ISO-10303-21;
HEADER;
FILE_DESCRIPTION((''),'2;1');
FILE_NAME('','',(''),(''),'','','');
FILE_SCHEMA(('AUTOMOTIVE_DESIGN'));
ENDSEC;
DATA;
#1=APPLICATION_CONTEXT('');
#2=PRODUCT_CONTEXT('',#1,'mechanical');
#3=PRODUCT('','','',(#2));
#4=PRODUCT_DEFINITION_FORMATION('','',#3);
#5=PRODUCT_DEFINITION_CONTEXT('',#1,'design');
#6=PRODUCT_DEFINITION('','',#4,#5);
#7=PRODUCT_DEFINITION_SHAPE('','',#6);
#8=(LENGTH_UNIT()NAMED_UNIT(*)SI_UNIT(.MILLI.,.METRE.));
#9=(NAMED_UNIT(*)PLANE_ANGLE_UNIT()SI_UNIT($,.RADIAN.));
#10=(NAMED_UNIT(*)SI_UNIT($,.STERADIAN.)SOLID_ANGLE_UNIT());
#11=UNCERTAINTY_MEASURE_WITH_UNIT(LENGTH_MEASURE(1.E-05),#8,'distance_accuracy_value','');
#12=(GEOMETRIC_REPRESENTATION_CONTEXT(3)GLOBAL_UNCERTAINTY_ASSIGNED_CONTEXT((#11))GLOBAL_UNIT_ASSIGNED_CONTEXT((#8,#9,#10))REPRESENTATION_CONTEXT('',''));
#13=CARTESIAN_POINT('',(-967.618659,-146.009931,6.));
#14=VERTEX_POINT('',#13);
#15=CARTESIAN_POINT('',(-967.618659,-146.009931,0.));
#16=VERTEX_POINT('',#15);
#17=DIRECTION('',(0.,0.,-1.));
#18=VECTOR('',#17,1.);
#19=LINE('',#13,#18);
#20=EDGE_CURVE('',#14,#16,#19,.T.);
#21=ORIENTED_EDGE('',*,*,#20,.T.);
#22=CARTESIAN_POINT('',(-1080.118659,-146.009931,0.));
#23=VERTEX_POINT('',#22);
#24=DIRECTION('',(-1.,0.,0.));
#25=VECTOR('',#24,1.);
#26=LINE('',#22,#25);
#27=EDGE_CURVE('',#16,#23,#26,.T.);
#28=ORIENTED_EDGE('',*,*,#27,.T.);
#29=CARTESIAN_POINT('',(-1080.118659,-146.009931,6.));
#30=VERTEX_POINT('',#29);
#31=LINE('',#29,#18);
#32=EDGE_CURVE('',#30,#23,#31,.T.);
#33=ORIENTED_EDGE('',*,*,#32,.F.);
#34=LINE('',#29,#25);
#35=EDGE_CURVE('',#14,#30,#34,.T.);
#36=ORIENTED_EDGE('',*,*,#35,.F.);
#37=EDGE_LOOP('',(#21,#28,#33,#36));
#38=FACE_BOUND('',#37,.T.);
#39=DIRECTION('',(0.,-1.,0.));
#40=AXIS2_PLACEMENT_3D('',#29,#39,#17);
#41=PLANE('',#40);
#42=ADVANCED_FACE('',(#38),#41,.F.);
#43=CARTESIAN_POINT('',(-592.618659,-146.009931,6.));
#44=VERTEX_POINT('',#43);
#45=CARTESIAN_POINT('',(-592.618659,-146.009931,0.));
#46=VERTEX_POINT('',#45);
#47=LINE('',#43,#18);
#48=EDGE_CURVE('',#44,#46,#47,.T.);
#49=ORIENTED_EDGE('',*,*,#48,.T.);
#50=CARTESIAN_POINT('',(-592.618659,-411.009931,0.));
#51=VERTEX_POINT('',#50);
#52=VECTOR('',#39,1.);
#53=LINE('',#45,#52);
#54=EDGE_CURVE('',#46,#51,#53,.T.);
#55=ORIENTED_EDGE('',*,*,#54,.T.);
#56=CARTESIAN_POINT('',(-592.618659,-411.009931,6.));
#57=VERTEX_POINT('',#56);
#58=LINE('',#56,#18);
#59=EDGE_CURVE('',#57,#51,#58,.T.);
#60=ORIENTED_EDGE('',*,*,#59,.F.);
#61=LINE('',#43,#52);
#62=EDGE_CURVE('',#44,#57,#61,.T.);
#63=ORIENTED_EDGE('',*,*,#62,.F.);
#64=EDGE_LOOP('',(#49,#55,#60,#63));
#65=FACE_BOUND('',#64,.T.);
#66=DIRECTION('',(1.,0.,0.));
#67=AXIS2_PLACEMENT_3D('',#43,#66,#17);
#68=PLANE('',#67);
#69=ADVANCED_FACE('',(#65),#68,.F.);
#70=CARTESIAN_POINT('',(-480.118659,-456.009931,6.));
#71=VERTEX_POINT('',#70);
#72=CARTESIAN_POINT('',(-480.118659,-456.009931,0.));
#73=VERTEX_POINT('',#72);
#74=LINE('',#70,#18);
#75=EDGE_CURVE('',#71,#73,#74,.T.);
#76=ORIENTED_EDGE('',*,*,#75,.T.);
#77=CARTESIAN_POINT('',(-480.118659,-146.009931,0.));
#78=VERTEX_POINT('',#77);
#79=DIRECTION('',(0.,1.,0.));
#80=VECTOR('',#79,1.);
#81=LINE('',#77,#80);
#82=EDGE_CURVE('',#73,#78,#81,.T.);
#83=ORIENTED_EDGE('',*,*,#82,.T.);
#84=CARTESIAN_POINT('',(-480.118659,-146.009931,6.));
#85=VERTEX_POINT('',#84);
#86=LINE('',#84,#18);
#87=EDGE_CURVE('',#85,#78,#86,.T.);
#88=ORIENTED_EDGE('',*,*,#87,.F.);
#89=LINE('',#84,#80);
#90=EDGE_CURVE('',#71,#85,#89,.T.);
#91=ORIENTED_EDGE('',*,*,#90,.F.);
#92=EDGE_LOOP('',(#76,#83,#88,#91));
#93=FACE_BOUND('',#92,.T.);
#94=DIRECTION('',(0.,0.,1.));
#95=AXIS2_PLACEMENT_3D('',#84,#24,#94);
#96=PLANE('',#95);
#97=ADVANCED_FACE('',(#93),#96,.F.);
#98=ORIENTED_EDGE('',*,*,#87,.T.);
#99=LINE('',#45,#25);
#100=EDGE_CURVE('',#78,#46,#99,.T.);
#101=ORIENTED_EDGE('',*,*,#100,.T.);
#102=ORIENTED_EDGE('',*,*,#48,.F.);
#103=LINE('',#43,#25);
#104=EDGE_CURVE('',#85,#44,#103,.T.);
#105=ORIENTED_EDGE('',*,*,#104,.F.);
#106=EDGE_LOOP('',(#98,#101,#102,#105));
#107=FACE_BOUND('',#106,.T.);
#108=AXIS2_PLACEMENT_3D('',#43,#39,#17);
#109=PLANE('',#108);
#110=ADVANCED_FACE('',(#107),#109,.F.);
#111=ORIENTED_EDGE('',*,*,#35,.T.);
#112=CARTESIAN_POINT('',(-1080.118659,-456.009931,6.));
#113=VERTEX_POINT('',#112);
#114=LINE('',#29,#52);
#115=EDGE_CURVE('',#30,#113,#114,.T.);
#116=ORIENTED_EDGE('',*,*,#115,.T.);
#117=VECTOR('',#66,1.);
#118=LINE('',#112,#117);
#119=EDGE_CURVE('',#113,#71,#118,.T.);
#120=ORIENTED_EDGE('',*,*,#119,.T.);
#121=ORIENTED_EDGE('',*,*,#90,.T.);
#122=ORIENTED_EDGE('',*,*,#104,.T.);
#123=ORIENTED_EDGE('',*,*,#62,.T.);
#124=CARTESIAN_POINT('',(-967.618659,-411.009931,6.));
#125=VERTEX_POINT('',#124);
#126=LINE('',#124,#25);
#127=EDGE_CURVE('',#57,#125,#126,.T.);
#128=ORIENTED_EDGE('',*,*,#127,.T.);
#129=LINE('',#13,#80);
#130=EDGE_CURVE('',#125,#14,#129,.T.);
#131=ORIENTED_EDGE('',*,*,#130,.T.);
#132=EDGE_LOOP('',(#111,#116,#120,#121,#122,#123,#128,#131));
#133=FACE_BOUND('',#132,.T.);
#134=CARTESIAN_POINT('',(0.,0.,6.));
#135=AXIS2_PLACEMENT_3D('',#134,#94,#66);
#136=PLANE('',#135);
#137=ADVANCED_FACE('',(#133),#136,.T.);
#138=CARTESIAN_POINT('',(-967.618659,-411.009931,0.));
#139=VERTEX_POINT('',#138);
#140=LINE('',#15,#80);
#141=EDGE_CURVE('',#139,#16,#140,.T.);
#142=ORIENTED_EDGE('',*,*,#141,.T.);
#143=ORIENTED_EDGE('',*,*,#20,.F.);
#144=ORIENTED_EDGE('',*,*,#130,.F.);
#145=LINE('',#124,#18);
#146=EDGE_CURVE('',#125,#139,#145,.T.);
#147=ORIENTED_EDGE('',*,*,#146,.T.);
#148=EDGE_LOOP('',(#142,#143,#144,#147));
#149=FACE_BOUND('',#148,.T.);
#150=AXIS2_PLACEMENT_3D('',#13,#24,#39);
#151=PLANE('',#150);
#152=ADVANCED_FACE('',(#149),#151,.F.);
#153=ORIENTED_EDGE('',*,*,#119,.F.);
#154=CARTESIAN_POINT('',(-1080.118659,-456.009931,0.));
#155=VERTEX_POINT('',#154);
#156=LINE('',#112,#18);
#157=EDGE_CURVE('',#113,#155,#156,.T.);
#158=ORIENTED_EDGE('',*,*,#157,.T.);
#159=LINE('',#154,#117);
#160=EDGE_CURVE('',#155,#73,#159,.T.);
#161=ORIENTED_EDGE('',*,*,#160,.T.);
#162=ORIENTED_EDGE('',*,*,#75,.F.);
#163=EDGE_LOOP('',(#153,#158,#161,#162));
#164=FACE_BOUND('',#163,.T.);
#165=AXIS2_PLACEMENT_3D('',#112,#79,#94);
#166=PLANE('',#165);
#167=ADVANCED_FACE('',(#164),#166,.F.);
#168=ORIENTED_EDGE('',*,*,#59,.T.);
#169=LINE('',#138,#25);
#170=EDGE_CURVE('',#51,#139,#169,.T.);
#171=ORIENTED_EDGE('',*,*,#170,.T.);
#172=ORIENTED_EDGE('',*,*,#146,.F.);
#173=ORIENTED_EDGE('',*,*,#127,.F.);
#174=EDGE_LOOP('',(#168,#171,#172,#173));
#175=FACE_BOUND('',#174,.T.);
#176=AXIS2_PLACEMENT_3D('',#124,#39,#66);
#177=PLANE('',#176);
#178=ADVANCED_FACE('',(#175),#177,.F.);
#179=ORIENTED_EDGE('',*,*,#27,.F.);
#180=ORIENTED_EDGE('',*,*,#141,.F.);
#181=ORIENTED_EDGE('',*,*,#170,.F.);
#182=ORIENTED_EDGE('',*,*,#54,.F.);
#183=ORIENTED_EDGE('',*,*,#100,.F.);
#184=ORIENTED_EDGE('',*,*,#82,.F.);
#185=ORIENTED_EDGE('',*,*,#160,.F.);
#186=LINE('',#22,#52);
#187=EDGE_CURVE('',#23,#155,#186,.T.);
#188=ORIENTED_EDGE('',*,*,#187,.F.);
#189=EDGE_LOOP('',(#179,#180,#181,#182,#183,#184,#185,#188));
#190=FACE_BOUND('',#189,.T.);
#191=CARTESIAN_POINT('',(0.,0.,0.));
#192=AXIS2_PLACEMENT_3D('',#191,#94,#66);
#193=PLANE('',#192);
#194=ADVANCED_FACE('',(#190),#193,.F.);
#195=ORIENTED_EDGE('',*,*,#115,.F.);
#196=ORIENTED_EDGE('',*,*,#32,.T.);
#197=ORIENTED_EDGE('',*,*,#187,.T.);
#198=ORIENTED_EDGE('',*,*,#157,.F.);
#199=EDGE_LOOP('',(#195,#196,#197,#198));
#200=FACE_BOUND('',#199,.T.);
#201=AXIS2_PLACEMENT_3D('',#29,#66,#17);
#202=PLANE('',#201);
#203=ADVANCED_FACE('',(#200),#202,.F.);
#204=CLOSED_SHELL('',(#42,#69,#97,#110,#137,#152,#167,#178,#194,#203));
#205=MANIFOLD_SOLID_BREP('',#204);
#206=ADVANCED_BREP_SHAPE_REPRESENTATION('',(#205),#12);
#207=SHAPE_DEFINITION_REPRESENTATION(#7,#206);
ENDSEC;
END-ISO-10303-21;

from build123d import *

# Parameters (mm, degrees)
EXTRUDE_1_DEPTH = 6


with BuildPart() as part:
    # Эскиз1 → Бобышка-Вытянуть1 (new body)
    with BuildSketch(Plane.XY):
        Polygon((-592.618659156, -146.009930727), (-480.118659156, -146.009930727), (-480.118659156, -456.009930727), (-1080.118659156, -456.009930727), (-1080.118659156, -146.009930727), (-967.618659156, -146.009930727), (-967.618659156, -411.009930727), (-592.618659156, -411.009930727), align=None)
    extrude(amount=EXTRUDE_1_DEPTH)


solid = part.part
